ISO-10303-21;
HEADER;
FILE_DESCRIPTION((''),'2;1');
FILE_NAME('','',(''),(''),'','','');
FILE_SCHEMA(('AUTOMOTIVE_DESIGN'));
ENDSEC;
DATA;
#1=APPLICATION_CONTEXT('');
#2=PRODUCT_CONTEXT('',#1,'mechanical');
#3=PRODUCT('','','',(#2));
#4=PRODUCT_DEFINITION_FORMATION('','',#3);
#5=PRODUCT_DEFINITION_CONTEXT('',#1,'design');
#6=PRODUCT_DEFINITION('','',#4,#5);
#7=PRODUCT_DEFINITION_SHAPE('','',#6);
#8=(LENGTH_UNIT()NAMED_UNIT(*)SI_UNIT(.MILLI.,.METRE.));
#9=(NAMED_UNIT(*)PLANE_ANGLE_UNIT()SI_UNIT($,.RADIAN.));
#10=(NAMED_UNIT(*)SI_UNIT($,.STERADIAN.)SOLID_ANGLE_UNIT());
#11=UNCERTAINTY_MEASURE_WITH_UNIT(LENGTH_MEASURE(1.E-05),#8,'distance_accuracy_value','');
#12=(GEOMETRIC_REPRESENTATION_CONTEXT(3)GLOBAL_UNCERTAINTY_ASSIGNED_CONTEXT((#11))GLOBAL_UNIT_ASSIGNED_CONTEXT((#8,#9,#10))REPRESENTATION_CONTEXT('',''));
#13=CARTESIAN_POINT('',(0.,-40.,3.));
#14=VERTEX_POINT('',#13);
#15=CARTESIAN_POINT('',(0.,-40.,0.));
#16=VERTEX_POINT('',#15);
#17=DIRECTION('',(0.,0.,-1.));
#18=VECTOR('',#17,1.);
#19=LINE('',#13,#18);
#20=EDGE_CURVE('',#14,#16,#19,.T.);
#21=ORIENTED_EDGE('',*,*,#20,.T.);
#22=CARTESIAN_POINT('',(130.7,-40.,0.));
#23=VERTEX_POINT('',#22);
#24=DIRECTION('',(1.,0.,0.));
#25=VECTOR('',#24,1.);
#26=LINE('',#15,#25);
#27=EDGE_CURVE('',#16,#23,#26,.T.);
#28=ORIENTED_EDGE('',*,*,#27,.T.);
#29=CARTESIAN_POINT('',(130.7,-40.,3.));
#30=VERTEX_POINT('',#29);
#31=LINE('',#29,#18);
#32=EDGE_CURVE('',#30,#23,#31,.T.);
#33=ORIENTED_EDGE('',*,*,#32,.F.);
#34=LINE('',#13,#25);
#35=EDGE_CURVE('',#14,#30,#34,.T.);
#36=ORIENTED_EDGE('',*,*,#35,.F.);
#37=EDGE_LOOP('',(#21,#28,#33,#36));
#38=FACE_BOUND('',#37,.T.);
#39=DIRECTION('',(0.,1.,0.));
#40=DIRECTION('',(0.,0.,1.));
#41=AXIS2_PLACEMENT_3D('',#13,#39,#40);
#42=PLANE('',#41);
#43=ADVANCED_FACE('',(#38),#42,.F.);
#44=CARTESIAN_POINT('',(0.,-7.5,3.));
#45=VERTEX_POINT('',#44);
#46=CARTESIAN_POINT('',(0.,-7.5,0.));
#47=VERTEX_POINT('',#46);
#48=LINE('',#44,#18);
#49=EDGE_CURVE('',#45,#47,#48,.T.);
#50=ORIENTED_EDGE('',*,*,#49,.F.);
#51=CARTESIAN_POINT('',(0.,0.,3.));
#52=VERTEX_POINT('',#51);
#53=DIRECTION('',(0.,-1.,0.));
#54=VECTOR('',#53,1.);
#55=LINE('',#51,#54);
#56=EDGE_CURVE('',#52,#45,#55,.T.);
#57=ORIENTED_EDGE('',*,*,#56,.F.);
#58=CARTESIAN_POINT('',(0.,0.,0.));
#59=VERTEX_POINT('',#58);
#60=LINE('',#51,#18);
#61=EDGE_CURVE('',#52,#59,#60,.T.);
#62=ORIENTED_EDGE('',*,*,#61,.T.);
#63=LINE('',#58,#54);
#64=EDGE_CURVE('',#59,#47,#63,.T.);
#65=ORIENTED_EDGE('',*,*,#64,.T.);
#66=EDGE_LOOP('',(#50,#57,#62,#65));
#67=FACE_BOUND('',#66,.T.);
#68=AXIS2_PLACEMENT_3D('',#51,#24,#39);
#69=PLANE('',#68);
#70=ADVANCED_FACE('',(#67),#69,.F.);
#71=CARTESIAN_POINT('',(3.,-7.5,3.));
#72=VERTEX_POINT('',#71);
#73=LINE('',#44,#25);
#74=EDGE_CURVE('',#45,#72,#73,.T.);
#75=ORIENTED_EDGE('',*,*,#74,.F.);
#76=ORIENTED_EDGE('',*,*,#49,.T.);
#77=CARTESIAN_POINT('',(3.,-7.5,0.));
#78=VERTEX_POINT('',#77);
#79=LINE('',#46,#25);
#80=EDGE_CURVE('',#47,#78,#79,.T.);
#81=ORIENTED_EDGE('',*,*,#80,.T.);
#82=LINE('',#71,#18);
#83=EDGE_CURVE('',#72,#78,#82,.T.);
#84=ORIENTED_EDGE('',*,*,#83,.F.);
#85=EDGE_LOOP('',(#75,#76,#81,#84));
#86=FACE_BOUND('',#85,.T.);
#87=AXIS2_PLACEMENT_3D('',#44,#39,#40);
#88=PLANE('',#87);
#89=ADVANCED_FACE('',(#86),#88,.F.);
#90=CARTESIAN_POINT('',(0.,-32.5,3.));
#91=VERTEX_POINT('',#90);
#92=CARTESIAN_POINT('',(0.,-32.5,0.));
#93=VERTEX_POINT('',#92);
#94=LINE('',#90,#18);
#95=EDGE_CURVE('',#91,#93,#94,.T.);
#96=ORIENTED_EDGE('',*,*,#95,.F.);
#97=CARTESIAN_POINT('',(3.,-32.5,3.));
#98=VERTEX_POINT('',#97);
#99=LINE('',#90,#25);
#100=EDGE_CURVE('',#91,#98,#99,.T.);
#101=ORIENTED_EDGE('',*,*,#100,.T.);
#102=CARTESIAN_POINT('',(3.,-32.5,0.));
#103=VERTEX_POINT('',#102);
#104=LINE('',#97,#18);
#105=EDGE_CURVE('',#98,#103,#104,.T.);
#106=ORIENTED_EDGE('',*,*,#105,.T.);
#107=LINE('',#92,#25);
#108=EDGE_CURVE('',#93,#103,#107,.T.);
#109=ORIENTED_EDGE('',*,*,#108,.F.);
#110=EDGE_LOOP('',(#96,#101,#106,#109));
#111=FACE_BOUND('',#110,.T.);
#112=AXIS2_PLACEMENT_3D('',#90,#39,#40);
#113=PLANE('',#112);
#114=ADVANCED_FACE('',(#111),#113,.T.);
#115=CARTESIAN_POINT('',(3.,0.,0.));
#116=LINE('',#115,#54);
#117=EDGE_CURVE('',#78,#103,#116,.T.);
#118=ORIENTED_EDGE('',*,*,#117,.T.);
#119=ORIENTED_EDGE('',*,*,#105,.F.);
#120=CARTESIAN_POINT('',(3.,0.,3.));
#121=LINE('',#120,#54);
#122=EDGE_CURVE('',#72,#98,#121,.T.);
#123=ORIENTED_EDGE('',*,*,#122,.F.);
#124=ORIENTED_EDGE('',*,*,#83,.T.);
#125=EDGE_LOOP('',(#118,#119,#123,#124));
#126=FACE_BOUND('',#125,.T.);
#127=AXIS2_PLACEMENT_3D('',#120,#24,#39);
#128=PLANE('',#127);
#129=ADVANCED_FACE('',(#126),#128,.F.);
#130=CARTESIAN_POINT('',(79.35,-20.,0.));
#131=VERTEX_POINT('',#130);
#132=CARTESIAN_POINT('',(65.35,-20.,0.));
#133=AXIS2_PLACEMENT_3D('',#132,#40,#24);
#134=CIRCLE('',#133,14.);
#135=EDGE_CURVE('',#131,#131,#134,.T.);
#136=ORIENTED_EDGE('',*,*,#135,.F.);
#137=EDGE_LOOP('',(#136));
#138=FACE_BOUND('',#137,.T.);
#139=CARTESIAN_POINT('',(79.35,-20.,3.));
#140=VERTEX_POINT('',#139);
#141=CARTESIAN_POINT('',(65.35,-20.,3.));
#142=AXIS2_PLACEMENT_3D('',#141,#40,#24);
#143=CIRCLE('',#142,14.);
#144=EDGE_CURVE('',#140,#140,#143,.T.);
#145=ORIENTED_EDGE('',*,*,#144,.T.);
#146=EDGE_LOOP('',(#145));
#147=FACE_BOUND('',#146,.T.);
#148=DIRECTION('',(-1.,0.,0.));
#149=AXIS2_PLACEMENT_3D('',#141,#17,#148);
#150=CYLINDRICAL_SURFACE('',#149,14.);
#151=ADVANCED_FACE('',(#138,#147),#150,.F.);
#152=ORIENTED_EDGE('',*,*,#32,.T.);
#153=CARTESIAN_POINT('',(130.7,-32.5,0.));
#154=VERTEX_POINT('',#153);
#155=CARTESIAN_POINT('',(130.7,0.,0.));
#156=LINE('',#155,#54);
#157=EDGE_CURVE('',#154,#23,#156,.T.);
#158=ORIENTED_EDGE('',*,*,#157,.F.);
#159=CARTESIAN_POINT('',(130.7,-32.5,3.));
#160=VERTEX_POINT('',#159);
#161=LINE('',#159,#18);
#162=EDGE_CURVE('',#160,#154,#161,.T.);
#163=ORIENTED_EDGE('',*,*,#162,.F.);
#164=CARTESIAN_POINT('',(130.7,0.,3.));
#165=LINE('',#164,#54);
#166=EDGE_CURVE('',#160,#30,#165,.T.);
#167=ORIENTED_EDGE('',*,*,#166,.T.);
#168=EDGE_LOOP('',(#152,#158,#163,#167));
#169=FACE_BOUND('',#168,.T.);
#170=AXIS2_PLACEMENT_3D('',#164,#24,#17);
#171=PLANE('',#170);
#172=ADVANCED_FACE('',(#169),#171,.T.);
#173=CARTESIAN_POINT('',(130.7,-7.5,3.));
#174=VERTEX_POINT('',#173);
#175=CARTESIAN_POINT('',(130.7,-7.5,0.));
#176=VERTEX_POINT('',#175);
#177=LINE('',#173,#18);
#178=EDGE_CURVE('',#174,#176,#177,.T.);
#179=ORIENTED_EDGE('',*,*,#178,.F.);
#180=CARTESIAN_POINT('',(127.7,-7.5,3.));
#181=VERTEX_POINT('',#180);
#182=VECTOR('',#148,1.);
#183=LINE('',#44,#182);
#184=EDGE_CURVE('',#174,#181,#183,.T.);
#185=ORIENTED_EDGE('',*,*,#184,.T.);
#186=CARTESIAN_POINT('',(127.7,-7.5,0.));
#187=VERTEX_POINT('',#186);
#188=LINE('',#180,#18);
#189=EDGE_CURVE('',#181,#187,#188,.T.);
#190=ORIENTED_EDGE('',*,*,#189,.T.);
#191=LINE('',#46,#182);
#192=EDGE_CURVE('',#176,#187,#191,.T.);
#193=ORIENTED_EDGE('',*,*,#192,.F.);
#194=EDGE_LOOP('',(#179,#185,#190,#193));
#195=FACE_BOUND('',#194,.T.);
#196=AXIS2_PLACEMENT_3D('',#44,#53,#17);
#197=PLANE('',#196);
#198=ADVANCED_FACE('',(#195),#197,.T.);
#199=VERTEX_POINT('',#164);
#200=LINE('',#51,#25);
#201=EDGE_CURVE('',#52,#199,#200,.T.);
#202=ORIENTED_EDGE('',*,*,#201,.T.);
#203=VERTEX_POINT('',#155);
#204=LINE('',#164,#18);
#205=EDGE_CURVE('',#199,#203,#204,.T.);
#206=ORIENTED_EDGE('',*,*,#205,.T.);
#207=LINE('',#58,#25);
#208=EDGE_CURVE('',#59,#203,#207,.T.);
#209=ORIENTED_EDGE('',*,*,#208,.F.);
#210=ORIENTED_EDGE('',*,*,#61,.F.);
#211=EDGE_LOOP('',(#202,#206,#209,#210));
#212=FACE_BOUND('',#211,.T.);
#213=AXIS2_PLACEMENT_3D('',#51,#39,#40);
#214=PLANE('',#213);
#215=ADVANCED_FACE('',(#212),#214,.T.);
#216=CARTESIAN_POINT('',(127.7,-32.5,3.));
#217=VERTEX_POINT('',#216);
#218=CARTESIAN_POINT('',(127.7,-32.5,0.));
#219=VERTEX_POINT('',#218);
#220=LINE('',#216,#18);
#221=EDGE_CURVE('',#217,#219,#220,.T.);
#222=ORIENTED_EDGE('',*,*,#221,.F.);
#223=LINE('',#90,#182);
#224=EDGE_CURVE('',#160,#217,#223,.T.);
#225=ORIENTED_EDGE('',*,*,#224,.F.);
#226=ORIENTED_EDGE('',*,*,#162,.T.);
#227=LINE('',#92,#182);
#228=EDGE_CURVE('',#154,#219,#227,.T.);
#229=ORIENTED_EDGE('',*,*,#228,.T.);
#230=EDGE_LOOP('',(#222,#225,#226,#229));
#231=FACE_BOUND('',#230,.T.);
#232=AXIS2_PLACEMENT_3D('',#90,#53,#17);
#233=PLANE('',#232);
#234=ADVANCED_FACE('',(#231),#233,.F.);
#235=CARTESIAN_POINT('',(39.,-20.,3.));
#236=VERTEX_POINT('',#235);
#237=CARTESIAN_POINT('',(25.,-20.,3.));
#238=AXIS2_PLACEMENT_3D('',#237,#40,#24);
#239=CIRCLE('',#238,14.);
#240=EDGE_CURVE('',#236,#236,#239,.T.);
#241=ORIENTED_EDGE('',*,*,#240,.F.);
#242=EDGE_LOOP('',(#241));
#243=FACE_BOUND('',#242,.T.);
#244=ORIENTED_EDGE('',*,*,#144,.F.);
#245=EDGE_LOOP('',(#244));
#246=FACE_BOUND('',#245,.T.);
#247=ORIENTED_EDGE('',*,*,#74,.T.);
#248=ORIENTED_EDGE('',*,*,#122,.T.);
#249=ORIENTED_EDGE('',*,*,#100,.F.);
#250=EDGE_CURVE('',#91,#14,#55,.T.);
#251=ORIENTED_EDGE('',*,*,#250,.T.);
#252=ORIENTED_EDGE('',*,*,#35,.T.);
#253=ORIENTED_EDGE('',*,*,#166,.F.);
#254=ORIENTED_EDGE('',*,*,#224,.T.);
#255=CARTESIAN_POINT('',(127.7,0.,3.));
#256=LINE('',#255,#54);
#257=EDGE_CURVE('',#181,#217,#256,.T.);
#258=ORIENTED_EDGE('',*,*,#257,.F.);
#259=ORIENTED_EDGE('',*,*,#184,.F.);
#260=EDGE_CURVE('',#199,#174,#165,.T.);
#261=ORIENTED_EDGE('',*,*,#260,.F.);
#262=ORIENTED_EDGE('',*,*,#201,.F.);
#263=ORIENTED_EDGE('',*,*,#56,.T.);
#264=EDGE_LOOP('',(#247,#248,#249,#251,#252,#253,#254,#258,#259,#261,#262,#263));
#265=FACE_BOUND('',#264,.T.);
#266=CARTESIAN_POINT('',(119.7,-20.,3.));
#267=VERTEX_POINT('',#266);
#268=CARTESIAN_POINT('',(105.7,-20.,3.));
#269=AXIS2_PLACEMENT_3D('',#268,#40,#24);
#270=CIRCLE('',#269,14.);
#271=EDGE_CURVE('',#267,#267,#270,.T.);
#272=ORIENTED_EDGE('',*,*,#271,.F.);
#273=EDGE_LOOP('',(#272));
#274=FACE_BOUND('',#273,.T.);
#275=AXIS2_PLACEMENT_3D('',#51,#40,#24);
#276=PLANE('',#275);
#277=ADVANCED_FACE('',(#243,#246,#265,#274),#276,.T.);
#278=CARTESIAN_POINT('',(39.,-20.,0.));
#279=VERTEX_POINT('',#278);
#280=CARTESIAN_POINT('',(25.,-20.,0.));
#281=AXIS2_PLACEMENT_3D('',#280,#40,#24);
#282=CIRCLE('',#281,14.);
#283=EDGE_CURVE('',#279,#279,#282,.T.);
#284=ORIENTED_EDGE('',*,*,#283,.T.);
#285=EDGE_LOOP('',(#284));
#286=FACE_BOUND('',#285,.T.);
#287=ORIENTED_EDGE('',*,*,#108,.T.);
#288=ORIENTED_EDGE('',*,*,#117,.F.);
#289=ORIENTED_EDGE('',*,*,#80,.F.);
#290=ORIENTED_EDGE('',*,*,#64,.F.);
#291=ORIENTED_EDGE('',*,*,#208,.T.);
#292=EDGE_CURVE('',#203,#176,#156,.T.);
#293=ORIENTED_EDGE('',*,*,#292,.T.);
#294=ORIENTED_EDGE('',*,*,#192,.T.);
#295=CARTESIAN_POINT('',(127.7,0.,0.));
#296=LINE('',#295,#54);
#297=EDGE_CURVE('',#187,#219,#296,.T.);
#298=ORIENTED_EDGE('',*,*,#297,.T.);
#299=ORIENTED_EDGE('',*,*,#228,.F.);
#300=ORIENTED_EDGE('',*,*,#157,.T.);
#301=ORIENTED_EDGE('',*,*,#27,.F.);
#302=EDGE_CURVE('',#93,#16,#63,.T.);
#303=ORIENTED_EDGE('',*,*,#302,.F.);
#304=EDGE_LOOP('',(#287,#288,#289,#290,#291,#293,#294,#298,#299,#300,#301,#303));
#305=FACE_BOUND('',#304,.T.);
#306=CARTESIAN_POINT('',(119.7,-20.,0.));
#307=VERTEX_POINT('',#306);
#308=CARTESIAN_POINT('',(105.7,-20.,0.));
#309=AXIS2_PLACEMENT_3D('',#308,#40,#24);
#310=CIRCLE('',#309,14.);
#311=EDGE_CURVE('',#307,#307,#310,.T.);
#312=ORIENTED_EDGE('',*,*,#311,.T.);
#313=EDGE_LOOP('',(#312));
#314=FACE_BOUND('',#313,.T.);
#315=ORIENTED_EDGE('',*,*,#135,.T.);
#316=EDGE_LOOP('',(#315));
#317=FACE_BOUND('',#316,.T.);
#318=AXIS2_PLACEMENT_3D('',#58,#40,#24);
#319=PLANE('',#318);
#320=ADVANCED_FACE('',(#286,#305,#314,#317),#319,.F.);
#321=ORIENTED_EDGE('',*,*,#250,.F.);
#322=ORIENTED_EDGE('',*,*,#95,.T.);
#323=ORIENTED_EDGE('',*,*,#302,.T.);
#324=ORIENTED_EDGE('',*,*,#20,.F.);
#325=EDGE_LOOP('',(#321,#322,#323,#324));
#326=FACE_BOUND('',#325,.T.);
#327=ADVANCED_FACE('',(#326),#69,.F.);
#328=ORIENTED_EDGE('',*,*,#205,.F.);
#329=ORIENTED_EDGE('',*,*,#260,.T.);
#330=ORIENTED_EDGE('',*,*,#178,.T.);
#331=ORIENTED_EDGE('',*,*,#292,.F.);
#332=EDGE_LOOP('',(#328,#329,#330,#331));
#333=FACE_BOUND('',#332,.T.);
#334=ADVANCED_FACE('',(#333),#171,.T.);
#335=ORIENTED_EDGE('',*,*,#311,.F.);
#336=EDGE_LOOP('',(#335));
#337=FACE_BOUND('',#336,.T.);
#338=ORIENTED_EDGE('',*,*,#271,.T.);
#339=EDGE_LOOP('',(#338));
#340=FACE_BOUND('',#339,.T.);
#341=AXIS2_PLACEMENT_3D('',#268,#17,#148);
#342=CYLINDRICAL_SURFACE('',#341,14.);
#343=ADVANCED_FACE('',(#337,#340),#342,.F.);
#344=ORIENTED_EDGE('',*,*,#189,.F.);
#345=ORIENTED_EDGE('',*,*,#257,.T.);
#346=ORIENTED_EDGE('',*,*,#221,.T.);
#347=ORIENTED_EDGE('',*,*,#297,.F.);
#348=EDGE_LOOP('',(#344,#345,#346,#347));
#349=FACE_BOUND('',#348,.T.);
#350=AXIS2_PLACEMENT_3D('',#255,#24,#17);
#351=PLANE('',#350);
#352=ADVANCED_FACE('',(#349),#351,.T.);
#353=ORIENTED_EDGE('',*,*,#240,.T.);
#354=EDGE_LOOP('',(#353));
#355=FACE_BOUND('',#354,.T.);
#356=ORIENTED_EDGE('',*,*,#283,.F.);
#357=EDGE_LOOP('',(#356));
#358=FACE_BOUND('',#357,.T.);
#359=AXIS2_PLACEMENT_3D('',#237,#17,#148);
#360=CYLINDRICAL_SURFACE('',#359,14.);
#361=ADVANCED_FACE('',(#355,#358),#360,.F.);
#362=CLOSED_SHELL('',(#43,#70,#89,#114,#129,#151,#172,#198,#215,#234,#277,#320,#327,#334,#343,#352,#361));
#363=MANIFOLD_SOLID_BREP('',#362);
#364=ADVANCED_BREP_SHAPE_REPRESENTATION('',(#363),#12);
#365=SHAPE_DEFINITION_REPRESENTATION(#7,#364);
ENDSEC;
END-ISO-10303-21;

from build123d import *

# Parameters (mm, degrees)
SKETCH1_R           = 14
BOSS_EXTRUDE1_DEPTH = 3


with BuildPart() as part:
    # Sketch1 → Boss-Extrude1 (new body)
    with BuildSketch(Plane.XY):
        Polygon((130.7, 0), (0, 0), (0, -7.5), (3, -7.5), (3, -32.5), (0, -32.5), (0, -40), (130.7, -40), (130.7, -32.5), (127.7, -32.5), (127.7, -7.5), (130.7, -7.5), align=None)
        with Locations((25, -20)):
            Circle(SKETCH1_R, mode=Mode.SUBTRACT)
        with Locations((65.35, -20)):
            Circle(SKETCH1_R, mode=Mode.SUBTRACT)
        with Locations((105.7, -20)):
            Circle(SKETCH1_R, mode=Mode.SUBTRACT)
    extrude(amount=BOSS_EXTRUDE1_DEPTH)


solid = part.part
